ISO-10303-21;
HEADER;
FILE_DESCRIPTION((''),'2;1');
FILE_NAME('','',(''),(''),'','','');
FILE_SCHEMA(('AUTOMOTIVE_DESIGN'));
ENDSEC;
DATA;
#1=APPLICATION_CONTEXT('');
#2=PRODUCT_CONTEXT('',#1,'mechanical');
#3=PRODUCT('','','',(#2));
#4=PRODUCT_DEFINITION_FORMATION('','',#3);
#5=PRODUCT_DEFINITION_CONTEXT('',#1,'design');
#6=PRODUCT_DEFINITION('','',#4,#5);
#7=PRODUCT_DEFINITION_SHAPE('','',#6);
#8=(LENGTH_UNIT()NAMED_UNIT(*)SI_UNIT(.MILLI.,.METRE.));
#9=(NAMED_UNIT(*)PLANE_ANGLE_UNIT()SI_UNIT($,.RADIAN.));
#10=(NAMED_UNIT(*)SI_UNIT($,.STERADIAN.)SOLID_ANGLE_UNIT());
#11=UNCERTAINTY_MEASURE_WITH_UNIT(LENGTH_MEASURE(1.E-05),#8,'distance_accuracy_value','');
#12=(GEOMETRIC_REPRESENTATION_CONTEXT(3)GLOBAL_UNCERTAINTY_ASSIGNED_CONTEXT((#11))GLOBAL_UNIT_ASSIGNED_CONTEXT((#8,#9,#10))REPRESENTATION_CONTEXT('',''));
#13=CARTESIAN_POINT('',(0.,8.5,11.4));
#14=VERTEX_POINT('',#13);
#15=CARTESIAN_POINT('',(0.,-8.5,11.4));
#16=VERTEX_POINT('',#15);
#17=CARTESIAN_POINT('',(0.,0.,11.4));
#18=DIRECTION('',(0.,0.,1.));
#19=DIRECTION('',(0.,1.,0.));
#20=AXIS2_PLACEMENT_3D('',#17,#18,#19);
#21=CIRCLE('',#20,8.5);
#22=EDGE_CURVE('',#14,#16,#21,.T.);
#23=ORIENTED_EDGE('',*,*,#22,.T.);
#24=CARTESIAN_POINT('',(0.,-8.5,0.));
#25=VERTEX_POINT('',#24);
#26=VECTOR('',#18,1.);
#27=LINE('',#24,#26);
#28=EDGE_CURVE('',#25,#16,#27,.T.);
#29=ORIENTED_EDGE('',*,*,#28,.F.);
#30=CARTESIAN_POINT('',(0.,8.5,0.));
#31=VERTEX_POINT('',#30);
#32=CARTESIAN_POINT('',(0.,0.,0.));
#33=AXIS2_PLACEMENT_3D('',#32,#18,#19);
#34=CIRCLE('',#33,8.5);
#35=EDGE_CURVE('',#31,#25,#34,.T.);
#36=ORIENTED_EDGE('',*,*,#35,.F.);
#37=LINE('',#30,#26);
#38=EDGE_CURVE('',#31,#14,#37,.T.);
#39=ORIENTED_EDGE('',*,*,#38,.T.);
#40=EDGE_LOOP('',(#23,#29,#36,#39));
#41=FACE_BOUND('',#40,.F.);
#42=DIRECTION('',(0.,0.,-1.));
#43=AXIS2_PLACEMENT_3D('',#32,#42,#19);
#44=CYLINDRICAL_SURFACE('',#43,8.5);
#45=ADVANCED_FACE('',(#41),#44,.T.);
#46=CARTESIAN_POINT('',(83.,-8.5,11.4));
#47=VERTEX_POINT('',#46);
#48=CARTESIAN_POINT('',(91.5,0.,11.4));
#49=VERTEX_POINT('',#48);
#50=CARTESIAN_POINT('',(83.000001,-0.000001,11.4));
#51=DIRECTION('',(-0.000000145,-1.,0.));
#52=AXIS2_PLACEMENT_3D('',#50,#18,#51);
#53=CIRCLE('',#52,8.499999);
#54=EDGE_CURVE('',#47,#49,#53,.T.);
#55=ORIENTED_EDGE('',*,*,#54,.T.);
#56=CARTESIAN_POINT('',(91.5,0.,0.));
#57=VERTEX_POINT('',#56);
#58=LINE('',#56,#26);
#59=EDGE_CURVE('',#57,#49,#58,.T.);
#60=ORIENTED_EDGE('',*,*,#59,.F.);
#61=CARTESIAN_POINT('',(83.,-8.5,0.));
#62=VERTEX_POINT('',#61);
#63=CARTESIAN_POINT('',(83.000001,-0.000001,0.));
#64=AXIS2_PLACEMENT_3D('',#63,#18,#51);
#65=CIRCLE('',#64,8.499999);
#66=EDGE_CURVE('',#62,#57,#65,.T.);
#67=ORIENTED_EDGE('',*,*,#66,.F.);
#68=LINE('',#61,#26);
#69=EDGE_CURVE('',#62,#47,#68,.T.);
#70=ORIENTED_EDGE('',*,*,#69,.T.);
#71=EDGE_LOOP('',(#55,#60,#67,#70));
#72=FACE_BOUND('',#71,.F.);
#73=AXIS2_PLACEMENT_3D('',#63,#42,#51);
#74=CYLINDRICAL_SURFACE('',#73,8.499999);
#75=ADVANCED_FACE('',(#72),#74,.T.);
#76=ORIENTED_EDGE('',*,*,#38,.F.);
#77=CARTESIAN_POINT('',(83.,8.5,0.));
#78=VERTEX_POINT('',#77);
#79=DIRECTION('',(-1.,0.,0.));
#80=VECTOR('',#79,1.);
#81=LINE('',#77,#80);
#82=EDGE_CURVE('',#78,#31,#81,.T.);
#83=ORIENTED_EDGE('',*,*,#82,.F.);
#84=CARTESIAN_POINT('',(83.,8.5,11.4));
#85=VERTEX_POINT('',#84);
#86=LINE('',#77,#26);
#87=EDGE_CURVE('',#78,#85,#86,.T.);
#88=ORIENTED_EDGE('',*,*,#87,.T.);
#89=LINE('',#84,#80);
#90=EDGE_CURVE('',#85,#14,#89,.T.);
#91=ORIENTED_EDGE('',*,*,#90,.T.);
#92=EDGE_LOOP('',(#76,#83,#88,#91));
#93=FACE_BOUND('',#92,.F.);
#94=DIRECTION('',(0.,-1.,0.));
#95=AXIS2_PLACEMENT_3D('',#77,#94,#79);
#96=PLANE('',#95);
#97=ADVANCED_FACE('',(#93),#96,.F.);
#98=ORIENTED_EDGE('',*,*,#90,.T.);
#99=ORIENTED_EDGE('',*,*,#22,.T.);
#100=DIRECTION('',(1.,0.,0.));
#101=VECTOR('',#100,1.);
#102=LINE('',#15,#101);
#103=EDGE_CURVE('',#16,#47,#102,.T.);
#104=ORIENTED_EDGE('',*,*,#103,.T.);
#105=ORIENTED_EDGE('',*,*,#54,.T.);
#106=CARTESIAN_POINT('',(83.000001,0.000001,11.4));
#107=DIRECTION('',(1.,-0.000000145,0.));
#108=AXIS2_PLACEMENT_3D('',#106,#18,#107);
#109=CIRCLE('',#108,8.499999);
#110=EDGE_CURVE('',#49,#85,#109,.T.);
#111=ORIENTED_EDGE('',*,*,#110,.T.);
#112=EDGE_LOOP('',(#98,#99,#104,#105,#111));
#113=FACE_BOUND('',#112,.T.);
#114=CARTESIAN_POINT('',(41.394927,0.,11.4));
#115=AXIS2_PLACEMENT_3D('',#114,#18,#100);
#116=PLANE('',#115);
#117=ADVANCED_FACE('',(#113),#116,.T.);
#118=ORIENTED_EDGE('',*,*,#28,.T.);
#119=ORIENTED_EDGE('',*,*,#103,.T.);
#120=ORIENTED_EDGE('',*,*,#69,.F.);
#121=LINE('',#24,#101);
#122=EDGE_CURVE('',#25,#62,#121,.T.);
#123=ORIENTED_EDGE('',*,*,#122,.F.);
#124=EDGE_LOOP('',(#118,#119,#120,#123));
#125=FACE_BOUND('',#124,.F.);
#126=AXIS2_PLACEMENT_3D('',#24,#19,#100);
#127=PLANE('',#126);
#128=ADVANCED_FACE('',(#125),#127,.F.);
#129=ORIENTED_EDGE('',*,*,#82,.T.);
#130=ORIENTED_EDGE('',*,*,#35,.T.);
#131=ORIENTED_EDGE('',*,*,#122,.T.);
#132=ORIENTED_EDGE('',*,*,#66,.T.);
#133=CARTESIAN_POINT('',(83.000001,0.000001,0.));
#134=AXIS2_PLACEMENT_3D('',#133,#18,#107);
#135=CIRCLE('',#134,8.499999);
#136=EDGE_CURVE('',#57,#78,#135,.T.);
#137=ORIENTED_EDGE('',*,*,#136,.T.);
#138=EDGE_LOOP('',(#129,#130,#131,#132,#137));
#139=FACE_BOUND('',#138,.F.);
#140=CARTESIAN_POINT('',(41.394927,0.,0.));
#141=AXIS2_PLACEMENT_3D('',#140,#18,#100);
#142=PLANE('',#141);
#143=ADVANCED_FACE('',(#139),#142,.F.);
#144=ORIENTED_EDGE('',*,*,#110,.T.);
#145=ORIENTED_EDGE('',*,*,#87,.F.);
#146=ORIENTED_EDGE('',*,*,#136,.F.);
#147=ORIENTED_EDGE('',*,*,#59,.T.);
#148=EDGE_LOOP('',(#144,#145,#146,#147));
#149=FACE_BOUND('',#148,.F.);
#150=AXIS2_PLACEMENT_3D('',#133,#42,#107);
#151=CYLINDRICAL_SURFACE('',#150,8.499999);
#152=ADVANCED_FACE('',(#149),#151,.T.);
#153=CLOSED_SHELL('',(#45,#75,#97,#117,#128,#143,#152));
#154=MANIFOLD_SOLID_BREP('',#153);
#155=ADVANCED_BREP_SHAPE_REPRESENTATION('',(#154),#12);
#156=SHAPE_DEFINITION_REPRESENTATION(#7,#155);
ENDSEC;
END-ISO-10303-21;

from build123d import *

# Parameters (mm, degrees)
F1_DEPTH = 11.4


with BuildPart() as f1:
    # F0 (on Top) → F1 (new body)
    with BuildSketch(Plane.XY):
        with BuildLine():
            ThreePointArc((0, 8.5), (6.010408, 6.010408), (8.5, 0))
            ThreePointArc((8.5, 0), (6.010408, -6.010408), (0, -8.5))
            Line((0, -8.5), (83, -8.5))
            ThreePointArc((83, -8.5), (74.5, 0), (83, 8.5))
            Line((83, 8.5), (0, 8.5))
        make_face()
        with BuildLine():
            ThreePointArc((0, -8.5), (6.010408, -6.010408), (8.5, 0))
            ThreePointArc((8.5, 0), (6.010408, 6.010408), (0, 8.5))
            ThreePointArc((0, 8.5), (-8.5, 0), (0, -8.5))
        make_face()
        with BuildLine():
            ThreePointArc((91.5, 0), (89.010408, 6.010408), (83, 8.5))
            ThreePointArc((83, 8.5), (74.5, 0), (83, -8.5))
            ThreePointArc((83, -8.5), (89.010408, -6.010408), (91.5, 0))
        make_face()
    extrude(amount=F1_DEPTH)


solid = f1.part
